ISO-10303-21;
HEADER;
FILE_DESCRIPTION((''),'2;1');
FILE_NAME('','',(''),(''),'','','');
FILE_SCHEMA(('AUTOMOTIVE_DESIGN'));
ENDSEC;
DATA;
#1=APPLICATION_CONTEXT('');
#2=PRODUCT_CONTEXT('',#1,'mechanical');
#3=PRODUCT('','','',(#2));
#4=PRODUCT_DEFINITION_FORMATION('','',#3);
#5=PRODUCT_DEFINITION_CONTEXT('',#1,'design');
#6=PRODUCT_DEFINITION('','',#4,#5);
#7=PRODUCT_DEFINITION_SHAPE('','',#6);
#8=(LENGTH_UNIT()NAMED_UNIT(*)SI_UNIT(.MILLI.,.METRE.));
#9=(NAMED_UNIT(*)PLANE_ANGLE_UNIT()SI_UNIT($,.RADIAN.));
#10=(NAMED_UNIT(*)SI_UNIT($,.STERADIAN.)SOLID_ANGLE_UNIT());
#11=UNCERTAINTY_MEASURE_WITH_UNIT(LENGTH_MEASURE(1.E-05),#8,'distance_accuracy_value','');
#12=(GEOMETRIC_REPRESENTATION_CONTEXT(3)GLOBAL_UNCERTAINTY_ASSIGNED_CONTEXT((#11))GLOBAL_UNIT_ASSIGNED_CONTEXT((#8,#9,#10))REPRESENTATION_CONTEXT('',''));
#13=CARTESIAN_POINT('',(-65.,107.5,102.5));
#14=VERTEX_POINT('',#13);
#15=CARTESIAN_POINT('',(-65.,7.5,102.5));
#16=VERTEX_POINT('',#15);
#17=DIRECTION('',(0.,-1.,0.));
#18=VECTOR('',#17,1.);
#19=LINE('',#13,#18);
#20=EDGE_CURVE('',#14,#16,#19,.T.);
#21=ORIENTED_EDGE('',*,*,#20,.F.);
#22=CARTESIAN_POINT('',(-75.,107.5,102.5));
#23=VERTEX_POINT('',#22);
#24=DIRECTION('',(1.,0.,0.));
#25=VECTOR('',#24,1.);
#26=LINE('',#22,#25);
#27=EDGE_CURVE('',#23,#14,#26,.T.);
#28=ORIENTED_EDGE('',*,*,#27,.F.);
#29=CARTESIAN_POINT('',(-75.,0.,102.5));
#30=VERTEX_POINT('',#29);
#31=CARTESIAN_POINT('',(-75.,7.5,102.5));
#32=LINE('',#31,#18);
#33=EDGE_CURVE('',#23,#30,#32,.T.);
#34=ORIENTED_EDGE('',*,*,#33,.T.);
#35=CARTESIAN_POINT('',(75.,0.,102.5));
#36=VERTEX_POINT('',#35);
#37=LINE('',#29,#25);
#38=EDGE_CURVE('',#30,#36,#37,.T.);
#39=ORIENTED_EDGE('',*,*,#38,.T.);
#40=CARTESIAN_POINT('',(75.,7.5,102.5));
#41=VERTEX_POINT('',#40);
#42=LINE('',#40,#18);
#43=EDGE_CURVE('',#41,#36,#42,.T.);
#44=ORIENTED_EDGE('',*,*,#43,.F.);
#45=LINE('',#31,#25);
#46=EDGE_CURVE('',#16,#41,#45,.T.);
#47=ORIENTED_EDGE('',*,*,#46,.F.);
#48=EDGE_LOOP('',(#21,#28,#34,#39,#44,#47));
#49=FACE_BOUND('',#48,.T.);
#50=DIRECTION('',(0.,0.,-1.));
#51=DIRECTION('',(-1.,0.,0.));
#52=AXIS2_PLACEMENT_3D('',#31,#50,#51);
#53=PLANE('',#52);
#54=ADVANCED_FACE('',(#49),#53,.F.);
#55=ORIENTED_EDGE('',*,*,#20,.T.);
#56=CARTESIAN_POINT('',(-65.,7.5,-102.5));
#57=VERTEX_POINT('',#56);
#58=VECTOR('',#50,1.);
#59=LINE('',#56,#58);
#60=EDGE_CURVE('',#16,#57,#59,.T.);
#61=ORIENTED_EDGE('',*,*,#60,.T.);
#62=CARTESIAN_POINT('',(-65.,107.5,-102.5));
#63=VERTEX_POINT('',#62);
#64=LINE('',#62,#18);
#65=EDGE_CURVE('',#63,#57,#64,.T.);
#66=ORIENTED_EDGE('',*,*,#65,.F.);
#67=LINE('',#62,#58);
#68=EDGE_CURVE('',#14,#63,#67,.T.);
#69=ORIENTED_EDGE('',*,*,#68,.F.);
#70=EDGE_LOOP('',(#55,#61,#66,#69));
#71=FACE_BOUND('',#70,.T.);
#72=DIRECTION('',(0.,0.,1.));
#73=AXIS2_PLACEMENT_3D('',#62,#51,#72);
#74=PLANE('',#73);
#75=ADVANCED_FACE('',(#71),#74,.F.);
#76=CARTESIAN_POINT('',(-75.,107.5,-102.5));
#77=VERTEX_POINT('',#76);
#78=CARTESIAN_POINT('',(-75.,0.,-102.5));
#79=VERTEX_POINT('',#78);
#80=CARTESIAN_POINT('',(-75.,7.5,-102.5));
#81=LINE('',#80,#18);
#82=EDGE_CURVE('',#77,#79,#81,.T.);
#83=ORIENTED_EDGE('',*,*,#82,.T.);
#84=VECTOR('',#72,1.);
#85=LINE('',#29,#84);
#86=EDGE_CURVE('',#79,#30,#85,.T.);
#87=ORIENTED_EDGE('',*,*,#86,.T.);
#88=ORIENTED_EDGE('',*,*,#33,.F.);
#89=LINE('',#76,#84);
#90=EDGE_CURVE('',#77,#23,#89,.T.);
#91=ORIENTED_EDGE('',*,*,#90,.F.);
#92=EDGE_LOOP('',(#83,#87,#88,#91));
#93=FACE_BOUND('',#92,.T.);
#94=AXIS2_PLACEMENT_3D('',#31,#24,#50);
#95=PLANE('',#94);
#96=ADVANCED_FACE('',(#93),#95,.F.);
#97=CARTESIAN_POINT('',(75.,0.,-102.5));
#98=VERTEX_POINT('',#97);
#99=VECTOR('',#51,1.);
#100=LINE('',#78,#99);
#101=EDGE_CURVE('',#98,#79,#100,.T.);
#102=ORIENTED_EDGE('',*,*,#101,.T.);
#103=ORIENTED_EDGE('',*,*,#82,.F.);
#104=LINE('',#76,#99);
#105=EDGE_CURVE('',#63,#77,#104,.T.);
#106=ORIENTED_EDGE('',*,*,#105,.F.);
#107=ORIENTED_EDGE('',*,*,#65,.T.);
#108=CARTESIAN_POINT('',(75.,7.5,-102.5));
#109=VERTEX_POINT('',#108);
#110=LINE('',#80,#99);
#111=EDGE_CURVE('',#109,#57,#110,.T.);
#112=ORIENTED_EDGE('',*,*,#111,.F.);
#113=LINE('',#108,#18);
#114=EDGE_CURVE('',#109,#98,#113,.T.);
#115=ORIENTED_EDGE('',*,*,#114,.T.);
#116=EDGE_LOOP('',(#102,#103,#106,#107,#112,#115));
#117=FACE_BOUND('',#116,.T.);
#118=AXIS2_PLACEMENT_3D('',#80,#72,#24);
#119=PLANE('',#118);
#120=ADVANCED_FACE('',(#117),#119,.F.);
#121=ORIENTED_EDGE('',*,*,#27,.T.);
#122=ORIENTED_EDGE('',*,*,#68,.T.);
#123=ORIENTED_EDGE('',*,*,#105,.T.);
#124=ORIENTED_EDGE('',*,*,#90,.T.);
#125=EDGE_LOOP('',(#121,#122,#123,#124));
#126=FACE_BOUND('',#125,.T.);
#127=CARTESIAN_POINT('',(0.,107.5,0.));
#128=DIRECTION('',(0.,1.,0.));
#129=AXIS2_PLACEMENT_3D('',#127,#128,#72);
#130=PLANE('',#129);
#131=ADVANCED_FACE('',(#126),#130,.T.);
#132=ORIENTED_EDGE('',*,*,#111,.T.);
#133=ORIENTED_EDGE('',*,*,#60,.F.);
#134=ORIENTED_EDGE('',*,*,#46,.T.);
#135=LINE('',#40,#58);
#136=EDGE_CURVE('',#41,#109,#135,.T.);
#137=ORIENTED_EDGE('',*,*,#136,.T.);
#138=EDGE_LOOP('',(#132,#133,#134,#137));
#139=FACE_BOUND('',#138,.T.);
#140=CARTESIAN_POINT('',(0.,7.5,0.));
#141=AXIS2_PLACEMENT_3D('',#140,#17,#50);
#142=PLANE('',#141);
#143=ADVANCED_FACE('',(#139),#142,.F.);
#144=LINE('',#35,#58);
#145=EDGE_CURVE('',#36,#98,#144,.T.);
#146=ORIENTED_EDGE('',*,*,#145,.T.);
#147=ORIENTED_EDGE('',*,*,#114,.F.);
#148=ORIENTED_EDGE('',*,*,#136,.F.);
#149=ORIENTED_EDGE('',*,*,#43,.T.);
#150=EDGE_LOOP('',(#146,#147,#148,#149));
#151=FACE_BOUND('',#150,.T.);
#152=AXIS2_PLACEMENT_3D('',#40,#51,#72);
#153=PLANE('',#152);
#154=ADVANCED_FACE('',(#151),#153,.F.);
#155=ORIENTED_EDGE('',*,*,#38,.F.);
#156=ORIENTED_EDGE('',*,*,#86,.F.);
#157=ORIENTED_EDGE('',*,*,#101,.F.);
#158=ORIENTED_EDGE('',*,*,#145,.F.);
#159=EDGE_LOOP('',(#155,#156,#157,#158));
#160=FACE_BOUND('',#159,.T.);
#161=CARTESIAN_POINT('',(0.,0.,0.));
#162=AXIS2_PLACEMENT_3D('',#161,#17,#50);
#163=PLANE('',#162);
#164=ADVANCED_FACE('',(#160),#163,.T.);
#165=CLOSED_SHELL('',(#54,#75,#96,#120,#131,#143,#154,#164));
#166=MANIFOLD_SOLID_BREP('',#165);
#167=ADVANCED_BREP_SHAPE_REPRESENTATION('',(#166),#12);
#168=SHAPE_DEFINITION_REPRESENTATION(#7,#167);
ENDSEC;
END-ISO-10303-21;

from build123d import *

# Parameters (mm, degrees)
SKETCH2_W           = 150
SKETCH2_H           = 205
BOSS_EXTRUDE1_DEPTH = 7.5
SKETCH3_W           = 10
SKETCH3_H           = 205
BOSS_EXTRUDE2_DEPTH = 100


with BuildPart() as part:
    # Sketch2 → Boss-Extrude1 (new body)
    with BuildSketch(Plane(origin=(0, 0, 0), x_dir=(1, 0, 0), z_dir=(0, 1, 0))):
        Rectangle(SKETCH2_W, SKETCH2_H)
    extrude(amount=BOSS_EXTRUDE1_DEPTH)

    # Sketch3 → Boss-Extrude2 (add)
    with BuildSketch(Plane(origin=(0, 7.5, 0), x_dir=(1, 0, 0), z_dir=(0, 1, 0))):
        with Locations((-70, 0)):
            Rectangle(SKETCH3_W, SKETCH3_H)
    extrude(amount=BOSS_EXTRUDE2_DEPTH)


solid = part.part
